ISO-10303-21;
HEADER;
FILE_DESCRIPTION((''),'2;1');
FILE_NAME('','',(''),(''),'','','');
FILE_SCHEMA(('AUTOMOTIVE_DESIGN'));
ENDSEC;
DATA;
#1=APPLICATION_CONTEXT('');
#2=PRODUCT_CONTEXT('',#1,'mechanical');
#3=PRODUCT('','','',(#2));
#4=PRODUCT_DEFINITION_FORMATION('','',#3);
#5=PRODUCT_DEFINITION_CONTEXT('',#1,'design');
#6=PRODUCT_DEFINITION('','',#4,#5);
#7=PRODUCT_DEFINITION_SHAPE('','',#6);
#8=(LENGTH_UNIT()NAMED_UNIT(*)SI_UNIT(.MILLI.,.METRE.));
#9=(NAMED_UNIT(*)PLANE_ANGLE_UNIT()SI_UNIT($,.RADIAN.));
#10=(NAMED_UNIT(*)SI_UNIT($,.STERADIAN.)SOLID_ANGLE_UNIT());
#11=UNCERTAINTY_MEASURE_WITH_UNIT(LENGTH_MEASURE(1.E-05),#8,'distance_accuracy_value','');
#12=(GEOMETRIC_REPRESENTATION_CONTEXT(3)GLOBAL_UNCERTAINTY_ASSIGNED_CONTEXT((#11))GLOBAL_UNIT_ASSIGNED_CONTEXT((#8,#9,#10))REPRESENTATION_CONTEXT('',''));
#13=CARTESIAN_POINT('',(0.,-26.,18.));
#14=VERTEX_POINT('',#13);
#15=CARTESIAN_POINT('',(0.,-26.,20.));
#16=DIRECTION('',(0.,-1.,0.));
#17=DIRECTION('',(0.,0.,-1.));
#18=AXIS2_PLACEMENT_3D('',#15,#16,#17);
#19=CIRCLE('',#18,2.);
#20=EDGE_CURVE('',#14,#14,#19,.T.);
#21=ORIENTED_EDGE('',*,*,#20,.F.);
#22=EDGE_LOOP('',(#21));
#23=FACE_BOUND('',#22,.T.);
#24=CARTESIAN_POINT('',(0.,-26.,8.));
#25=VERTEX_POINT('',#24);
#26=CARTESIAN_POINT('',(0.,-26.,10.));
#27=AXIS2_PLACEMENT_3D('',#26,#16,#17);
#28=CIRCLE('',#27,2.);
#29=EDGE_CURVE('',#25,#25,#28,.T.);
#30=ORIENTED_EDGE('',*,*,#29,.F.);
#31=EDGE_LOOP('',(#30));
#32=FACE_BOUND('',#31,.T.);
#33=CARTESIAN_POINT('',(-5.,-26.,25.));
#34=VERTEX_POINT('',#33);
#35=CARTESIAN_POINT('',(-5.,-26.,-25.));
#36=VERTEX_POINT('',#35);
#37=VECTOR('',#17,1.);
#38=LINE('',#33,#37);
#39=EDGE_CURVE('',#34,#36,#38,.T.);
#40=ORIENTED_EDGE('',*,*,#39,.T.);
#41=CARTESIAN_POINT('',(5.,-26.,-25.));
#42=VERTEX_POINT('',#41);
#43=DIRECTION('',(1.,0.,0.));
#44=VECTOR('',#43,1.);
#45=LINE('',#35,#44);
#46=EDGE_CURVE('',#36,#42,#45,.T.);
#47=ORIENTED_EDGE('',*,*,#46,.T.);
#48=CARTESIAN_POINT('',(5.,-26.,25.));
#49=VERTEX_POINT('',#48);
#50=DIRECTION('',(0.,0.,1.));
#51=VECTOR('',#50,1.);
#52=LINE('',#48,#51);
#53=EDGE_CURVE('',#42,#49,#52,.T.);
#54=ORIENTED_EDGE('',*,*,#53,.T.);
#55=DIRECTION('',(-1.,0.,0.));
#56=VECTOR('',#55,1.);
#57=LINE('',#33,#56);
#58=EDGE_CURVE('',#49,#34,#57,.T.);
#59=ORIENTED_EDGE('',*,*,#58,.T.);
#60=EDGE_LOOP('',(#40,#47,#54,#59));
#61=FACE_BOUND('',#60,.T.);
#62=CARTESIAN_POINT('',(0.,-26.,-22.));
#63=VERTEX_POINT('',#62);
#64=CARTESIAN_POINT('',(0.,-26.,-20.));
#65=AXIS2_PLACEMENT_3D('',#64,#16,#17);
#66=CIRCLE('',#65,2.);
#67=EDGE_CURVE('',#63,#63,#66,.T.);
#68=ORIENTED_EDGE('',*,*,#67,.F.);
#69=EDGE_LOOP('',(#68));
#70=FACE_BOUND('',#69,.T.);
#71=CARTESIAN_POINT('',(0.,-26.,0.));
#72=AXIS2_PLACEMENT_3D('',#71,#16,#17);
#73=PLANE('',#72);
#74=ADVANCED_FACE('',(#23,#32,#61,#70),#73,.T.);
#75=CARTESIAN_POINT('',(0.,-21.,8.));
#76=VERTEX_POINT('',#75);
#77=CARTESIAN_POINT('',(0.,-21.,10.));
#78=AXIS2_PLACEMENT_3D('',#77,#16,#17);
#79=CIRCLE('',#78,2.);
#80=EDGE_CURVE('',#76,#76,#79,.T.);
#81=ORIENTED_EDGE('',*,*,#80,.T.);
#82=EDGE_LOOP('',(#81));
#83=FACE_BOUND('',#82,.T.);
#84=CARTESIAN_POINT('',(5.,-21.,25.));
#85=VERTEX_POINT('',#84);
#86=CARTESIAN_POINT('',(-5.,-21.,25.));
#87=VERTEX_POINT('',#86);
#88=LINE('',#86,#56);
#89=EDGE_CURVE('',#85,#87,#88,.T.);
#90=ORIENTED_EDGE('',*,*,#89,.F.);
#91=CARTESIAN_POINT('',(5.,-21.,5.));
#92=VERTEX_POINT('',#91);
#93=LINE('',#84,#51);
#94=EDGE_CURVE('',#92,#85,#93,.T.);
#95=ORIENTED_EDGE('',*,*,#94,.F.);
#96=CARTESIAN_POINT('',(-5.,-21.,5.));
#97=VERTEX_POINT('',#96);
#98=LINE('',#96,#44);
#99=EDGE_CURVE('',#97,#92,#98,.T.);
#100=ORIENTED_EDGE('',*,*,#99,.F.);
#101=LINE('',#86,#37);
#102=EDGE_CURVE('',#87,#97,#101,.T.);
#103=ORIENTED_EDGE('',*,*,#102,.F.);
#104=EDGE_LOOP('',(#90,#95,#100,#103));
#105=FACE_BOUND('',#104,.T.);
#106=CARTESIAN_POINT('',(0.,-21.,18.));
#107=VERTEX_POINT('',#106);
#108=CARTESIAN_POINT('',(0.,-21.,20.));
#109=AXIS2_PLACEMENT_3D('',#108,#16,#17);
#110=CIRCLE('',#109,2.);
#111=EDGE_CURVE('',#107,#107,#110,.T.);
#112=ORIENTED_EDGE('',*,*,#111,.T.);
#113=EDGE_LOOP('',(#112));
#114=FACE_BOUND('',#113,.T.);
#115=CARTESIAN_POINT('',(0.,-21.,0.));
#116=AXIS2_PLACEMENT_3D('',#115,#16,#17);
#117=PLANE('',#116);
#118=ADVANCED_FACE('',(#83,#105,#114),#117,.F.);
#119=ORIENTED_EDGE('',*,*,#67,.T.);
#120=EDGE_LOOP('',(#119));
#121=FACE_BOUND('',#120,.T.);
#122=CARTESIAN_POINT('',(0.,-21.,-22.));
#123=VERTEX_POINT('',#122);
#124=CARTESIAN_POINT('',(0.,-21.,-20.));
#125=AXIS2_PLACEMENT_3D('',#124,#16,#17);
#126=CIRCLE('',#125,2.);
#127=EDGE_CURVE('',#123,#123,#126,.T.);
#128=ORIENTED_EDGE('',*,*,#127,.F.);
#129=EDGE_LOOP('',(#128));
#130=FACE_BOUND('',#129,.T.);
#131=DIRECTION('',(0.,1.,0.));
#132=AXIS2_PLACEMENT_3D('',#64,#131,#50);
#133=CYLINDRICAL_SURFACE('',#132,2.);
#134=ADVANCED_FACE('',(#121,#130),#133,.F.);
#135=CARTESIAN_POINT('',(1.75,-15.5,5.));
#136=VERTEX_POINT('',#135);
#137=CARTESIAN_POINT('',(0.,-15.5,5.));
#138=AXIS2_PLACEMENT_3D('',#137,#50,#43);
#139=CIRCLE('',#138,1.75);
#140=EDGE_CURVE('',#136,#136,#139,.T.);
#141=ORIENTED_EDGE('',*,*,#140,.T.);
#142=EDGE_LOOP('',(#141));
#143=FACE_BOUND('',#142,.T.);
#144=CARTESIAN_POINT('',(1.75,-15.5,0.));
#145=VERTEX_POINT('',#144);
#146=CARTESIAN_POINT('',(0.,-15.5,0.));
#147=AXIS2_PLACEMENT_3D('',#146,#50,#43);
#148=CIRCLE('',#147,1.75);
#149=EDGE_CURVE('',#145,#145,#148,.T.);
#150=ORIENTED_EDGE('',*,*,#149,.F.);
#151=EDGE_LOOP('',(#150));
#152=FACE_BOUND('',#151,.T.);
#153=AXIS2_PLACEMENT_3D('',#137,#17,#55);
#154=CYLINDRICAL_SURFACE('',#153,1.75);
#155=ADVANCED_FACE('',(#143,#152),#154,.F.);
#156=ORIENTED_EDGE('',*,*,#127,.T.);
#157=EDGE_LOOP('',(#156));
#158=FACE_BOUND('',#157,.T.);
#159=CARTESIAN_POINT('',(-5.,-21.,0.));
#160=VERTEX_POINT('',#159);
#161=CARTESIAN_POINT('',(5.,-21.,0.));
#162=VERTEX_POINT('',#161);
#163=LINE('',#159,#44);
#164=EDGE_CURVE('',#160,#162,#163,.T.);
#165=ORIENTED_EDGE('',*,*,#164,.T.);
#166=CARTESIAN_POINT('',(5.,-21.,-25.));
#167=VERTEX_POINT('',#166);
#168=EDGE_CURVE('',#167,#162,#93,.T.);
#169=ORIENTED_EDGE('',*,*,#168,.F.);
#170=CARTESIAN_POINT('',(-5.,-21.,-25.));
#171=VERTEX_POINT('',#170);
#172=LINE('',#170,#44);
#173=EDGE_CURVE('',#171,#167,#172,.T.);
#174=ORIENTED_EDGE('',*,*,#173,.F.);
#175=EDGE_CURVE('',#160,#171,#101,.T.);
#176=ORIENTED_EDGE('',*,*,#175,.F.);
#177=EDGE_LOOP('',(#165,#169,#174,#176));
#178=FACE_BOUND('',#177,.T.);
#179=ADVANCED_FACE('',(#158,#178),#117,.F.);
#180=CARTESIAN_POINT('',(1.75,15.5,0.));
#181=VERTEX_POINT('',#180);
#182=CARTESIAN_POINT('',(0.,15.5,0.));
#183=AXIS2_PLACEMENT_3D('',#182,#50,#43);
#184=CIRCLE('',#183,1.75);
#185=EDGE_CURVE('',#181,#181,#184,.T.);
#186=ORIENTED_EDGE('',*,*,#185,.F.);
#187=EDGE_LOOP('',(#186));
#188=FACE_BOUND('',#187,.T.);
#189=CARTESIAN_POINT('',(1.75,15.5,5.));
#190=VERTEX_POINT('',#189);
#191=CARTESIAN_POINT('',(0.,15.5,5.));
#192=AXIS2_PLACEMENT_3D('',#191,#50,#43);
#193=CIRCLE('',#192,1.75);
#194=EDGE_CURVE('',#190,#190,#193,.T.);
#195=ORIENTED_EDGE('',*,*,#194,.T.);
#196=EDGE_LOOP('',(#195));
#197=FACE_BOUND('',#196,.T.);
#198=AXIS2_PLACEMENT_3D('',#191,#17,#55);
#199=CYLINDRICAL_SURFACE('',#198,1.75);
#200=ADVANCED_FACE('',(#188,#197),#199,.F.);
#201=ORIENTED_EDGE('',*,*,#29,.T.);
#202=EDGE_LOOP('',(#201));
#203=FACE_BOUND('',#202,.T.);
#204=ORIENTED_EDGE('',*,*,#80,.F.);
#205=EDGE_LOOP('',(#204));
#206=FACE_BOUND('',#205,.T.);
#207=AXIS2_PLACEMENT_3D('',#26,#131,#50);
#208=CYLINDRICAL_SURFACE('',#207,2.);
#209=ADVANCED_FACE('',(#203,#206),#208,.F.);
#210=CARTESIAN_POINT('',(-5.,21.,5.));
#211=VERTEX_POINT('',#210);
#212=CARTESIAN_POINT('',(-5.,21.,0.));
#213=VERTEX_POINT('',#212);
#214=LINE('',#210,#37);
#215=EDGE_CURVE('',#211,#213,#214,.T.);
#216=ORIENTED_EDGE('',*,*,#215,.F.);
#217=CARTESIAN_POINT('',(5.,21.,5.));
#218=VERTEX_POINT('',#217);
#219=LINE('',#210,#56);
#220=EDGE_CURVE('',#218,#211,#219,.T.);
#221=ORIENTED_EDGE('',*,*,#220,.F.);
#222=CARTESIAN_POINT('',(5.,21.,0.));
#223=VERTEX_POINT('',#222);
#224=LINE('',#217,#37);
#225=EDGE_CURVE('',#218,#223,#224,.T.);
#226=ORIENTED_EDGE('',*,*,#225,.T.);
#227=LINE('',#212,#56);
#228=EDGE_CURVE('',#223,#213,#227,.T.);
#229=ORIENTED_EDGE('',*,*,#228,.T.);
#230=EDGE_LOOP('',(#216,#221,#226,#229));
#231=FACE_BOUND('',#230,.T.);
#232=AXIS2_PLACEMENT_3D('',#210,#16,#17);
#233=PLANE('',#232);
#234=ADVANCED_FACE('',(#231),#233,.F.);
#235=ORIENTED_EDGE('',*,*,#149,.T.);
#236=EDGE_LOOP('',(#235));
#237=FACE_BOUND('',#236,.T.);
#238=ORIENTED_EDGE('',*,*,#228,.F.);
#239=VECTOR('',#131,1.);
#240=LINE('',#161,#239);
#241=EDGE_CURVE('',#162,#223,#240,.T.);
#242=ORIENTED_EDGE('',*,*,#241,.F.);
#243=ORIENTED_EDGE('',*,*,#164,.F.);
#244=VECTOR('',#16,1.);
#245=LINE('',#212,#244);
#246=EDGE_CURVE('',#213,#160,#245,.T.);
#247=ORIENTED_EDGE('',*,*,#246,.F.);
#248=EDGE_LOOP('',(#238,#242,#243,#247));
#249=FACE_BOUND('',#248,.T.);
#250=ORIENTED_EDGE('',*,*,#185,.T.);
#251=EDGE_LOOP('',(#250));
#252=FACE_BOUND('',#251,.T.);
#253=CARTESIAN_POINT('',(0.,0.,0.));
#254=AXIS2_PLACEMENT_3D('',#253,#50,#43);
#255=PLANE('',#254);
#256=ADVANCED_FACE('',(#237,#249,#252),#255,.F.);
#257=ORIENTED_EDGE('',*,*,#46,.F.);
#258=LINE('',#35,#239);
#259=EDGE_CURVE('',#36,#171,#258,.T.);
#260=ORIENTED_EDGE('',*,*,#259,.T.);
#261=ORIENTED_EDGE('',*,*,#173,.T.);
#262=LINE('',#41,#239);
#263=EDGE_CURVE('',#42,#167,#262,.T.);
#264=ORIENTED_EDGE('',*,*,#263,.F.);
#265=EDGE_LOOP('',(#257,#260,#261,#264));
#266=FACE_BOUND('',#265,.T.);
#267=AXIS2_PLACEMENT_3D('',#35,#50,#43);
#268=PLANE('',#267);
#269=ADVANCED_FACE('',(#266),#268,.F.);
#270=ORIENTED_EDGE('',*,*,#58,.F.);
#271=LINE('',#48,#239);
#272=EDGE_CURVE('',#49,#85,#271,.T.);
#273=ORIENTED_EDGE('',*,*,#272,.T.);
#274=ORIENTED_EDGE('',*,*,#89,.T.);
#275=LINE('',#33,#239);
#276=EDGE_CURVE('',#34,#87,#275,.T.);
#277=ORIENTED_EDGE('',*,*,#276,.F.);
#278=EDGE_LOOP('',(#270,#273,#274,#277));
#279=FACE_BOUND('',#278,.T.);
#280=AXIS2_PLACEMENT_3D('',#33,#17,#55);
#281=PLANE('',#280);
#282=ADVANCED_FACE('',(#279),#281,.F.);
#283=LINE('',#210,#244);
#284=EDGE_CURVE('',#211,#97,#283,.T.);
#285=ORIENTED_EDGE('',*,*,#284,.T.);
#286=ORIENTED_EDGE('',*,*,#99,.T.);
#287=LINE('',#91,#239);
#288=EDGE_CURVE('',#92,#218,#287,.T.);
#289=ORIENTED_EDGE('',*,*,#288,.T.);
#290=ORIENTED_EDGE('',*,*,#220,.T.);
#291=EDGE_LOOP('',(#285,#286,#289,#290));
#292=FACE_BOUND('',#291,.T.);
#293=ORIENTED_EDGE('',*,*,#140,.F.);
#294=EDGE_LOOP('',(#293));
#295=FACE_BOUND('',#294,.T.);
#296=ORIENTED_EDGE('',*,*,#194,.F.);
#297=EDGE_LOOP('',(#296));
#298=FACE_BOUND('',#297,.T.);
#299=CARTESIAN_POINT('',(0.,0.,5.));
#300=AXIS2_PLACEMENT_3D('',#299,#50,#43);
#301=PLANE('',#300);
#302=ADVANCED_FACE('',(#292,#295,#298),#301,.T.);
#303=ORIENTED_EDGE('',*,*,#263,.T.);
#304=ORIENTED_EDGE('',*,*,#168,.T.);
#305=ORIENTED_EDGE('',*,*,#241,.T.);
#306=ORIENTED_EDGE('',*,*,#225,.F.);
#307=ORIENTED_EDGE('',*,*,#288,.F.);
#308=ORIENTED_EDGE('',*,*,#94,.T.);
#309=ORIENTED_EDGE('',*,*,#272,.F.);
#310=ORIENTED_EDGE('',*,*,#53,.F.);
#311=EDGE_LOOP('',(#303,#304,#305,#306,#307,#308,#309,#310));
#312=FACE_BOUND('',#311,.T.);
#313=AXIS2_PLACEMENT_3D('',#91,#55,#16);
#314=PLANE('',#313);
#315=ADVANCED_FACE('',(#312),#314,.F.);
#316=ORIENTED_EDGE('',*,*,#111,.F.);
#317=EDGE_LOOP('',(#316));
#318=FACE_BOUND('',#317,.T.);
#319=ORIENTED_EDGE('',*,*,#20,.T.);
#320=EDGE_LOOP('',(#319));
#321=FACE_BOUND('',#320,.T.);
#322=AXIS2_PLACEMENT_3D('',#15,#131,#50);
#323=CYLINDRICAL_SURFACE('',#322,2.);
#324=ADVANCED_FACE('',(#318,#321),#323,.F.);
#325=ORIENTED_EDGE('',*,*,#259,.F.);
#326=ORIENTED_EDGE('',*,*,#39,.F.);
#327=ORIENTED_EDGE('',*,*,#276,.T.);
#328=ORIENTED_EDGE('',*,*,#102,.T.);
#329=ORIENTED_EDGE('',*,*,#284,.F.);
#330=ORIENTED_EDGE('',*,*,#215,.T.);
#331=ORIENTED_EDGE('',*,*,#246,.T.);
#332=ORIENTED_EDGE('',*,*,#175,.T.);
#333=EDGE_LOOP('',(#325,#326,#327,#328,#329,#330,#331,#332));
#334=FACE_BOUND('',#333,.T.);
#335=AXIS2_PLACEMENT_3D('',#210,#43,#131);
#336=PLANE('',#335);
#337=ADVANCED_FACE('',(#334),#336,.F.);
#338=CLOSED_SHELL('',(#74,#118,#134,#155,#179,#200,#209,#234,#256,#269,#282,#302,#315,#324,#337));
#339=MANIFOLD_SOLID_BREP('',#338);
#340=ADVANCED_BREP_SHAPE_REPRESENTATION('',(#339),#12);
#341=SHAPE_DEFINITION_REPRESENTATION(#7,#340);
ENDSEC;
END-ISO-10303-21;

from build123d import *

# Parameters (mm, degrees)
ESBO_O1_W                = 10
ESBO_O1_H                = 42
ESBO_O1_R                = 1.75
RESSALTO_EXTRUS_O1_DEPTH = 5
ESBO_O2_W                = 10
ESBO_O2_H                = 50
ESBO_O2_R                = 2
RESSALTO_EXTRUS_O2_DEPTH = 5


with BuildPart() as part:
    # Esboço1 → Ressalto-extrusão1 (new body)
    with BuildSketch(Plane.XY):
        Rectangle(ESBO_O1_W, ESBO_O1_H)
        with Locations((0, 15.5)):
            Circle(ESBO_O1_R, mode=Mode.SUBTRACT)
        with Locations((0, -15.5)):
            Circle(ESBO_O1_R, mode=Mode.SUBTRACT)
    extrude(amount=RESSALTO_EXTRUS_O1_DEPTH)

    # Esboço2 → Ressalto-extrusão2 (add)
    with BuildSketch(Plane.XZ.offset(21)):
        Rectangle(ESBO_O2_W, ESBO_O2_H)
        with Locations(Location((0, 20, 0), (0, 0, 270))):
            Circle(ESBO_O2_R, mode=Mode.SUBTRACT)
        with Locations(Location((0, -20, 0), (0, 0, 270))):
            Circle(ESBO_O2_R, mode=Mode.SUBTRACT)
        with Locations(Location((0, 10, 0), (0, 0, 270))):
            Circle(ESBO_O2_R, mode=Mode.SUBTRACT)
    extrude(amount=RESSALTO_EXTRUS_O2_DEPTH)


solid = part.part
